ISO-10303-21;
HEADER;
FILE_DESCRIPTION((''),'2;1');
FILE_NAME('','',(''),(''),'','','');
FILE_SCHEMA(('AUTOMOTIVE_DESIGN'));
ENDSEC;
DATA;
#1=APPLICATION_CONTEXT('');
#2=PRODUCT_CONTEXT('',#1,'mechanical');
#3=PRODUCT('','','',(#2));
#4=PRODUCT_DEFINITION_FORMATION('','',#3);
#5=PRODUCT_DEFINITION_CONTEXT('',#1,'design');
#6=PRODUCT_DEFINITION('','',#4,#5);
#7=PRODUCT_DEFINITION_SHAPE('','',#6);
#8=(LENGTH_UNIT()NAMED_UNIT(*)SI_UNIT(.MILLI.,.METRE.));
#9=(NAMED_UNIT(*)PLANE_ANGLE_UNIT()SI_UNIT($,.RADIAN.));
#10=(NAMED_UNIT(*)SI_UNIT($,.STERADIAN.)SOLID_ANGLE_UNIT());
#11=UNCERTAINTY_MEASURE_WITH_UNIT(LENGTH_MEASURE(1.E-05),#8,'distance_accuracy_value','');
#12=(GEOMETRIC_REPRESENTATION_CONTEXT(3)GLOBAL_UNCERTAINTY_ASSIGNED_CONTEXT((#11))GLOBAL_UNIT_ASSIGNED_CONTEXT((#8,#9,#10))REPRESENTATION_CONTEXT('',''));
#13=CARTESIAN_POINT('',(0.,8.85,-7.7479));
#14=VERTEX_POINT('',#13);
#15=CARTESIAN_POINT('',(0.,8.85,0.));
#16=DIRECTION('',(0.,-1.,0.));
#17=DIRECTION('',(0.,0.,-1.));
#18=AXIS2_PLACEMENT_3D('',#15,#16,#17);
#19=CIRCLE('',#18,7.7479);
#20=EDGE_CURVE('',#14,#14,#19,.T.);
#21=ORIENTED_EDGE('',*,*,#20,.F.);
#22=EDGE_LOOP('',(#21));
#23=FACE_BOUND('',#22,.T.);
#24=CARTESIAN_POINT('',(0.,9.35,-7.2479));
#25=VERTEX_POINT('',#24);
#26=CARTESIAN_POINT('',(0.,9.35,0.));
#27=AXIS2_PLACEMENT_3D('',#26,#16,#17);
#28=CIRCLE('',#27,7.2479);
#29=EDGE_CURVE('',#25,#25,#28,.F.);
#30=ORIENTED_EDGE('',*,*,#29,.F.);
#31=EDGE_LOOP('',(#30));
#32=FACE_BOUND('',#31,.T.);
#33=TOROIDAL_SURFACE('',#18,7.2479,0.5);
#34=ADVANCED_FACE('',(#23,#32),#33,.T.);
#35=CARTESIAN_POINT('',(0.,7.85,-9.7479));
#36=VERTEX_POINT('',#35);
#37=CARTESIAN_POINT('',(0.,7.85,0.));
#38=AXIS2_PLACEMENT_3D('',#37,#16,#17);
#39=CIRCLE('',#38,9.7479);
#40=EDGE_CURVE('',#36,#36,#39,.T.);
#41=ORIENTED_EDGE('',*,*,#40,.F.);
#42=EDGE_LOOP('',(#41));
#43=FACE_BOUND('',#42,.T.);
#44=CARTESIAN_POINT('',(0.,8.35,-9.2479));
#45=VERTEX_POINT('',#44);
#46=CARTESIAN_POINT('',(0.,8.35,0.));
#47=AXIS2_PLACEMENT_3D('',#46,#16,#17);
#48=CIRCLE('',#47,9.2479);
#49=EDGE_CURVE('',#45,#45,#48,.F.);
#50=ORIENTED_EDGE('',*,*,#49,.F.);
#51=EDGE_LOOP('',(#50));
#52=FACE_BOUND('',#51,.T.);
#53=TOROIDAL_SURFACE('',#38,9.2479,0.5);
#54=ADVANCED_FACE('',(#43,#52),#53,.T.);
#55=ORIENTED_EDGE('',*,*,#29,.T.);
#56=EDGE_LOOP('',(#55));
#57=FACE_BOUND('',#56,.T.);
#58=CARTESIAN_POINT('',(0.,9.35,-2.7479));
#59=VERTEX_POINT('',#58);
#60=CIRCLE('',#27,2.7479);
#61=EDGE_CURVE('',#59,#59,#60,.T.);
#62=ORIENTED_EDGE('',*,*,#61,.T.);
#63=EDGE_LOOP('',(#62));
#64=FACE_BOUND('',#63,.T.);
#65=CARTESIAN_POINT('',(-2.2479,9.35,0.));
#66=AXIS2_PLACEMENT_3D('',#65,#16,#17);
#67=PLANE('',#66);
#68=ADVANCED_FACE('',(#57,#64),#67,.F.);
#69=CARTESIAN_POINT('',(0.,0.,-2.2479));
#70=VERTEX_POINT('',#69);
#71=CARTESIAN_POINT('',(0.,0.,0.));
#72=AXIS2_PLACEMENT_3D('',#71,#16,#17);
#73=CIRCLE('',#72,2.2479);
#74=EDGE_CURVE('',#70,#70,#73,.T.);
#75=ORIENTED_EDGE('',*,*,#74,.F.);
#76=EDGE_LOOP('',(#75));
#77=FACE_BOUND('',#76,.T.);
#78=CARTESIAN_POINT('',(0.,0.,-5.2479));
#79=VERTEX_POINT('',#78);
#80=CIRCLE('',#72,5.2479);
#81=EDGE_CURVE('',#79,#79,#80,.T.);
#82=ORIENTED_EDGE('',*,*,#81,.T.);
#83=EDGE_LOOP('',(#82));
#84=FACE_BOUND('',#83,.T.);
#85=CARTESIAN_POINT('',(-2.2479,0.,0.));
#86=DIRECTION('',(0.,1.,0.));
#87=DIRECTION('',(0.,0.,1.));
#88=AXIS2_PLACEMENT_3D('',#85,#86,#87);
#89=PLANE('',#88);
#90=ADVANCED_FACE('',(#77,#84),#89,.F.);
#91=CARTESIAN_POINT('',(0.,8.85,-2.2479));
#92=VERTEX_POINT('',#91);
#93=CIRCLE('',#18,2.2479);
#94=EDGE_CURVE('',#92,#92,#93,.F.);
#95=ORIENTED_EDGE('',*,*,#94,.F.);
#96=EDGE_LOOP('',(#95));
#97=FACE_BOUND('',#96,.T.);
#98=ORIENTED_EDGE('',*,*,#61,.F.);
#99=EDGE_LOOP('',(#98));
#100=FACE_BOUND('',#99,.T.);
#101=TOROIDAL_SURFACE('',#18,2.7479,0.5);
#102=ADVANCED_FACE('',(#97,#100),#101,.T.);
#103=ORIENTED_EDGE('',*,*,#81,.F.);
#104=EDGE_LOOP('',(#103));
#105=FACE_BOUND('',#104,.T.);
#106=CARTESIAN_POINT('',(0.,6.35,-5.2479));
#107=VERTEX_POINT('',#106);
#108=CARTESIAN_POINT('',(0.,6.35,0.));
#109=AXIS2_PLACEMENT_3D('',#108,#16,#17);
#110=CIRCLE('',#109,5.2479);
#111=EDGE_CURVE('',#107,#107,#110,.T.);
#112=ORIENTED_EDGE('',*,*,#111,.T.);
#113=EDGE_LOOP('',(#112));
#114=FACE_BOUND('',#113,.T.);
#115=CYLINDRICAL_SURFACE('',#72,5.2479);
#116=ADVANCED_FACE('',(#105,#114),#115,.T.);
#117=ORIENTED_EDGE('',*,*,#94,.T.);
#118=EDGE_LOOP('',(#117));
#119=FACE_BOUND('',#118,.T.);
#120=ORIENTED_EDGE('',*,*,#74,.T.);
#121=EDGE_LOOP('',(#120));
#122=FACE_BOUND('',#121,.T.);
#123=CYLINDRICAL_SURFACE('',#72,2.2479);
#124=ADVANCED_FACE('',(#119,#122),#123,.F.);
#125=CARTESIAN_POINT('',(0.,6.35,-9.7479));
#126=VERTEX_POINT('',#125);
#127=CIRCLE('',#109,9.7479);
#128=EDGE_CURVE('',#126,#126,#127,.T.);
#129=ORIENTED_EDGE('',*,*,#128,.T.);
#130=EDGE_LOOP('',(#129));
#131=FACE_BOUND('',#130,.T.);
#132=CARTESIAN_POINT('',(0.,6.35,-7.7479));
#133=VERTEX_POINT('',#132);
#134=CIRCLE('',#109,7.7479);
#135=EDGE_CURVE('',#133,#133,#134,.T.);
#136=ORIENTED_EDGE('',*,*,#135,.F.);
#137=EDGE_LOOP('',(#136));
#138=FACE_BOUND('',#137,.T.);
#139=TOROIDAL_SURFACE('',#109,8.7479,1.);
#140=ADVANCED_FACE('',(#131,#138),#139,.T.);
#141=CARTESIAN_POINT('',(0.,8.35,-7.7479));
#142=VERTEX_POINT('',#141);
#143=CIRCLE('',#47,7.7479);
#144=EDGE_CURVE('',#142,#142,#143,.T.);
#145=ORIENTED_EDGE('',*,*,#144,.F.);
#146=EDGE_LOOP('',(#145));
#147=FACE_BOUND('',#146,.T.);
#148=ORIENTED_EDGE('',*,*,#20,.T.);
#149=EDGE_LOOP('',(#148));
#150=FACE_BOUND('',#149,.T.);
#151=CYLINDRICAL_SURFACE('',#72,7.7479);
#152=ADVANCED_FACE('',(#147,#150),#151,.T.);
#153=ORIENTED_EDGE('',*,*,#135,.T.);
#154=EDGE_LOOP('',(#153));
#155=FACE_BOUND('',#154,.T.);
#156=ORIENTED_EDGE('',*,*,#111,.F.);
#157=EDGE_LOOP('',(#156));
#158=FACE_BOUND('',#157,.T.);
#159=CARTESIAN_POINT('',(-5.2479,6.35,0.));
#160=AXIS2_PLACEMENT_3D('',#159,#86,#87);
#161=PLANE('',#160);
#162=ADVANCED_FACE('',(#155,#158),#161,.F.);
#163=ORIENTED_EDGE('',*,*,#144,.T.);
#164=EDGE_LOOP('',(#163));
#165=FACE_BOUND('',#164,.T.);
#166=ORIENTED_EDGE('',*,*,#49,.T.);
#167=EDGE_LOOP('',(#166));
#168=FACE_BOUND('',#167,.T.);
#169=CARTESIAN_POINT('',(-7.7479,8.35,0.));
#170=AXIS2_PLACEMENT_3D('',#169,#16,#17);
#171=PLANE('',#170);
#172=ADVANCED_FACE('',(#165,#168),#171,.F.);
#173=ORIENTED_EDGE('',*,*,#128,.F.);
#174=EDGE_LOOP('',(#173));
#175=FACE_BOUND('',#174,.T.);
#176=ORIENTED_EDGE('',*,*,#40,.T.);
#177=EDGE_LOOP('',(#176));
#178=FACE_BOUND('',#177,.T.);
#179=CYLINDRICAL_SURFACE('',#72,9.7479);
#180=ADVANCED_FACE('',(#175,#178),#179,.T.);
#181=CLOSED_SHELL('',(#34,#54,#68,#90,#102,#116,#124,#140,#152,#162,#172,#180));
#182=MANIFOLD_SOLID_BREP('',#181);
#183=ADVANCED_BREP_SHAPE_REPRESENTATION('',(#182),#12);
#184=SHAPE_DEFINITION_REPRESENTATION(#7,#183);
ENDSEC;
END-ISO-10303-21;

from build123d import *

# Parameters (mm, degrees)
FILLET1_R = 0.5


with BuildPart() as part:
    # Sketch1 → Revolve1 (revolve)
    with BuildSketch(Plane.XY):
        with BuildLine():
            Line((-2.2479, 0), (-2.2479, 9.35))
            Line((-2.2479, 9.35), (-7.7479, 9.35))
            Line((-7.7479, 9.35), (-7.7479, 8.35))
            Line((-7.7479, 8.35), (-9.7479, 8.35))
            Line((-9.7479, 8.35), (-9.7479, 6.35))
            ThreePointArc((-9.7479, 6.35), (-8.7479, 5.35), (-7.7479, 6.35))
            Line((-7.7479, 6.35), (-5.2479, 6.35))
            Line((-5.2479, 6.35), (-5.2479, 0))
            Line((-5.2479, 0), (-2.2479, 0))
        make_face()
    revolve(axis=Axis((0, 0, 0), (0, 1, 0)))

    # Fillet1
    fillet1_edges = [part.edges().sort_by_distance(p)[0] for p in [
        (7.7479, 9.35, 0),
        (2.2479, 9.35, 0),
        (9.7479, 8.35, 0),
    ]]
    fillet(fillet1_edges, radius=FILLET1_R)


solid = part.part
